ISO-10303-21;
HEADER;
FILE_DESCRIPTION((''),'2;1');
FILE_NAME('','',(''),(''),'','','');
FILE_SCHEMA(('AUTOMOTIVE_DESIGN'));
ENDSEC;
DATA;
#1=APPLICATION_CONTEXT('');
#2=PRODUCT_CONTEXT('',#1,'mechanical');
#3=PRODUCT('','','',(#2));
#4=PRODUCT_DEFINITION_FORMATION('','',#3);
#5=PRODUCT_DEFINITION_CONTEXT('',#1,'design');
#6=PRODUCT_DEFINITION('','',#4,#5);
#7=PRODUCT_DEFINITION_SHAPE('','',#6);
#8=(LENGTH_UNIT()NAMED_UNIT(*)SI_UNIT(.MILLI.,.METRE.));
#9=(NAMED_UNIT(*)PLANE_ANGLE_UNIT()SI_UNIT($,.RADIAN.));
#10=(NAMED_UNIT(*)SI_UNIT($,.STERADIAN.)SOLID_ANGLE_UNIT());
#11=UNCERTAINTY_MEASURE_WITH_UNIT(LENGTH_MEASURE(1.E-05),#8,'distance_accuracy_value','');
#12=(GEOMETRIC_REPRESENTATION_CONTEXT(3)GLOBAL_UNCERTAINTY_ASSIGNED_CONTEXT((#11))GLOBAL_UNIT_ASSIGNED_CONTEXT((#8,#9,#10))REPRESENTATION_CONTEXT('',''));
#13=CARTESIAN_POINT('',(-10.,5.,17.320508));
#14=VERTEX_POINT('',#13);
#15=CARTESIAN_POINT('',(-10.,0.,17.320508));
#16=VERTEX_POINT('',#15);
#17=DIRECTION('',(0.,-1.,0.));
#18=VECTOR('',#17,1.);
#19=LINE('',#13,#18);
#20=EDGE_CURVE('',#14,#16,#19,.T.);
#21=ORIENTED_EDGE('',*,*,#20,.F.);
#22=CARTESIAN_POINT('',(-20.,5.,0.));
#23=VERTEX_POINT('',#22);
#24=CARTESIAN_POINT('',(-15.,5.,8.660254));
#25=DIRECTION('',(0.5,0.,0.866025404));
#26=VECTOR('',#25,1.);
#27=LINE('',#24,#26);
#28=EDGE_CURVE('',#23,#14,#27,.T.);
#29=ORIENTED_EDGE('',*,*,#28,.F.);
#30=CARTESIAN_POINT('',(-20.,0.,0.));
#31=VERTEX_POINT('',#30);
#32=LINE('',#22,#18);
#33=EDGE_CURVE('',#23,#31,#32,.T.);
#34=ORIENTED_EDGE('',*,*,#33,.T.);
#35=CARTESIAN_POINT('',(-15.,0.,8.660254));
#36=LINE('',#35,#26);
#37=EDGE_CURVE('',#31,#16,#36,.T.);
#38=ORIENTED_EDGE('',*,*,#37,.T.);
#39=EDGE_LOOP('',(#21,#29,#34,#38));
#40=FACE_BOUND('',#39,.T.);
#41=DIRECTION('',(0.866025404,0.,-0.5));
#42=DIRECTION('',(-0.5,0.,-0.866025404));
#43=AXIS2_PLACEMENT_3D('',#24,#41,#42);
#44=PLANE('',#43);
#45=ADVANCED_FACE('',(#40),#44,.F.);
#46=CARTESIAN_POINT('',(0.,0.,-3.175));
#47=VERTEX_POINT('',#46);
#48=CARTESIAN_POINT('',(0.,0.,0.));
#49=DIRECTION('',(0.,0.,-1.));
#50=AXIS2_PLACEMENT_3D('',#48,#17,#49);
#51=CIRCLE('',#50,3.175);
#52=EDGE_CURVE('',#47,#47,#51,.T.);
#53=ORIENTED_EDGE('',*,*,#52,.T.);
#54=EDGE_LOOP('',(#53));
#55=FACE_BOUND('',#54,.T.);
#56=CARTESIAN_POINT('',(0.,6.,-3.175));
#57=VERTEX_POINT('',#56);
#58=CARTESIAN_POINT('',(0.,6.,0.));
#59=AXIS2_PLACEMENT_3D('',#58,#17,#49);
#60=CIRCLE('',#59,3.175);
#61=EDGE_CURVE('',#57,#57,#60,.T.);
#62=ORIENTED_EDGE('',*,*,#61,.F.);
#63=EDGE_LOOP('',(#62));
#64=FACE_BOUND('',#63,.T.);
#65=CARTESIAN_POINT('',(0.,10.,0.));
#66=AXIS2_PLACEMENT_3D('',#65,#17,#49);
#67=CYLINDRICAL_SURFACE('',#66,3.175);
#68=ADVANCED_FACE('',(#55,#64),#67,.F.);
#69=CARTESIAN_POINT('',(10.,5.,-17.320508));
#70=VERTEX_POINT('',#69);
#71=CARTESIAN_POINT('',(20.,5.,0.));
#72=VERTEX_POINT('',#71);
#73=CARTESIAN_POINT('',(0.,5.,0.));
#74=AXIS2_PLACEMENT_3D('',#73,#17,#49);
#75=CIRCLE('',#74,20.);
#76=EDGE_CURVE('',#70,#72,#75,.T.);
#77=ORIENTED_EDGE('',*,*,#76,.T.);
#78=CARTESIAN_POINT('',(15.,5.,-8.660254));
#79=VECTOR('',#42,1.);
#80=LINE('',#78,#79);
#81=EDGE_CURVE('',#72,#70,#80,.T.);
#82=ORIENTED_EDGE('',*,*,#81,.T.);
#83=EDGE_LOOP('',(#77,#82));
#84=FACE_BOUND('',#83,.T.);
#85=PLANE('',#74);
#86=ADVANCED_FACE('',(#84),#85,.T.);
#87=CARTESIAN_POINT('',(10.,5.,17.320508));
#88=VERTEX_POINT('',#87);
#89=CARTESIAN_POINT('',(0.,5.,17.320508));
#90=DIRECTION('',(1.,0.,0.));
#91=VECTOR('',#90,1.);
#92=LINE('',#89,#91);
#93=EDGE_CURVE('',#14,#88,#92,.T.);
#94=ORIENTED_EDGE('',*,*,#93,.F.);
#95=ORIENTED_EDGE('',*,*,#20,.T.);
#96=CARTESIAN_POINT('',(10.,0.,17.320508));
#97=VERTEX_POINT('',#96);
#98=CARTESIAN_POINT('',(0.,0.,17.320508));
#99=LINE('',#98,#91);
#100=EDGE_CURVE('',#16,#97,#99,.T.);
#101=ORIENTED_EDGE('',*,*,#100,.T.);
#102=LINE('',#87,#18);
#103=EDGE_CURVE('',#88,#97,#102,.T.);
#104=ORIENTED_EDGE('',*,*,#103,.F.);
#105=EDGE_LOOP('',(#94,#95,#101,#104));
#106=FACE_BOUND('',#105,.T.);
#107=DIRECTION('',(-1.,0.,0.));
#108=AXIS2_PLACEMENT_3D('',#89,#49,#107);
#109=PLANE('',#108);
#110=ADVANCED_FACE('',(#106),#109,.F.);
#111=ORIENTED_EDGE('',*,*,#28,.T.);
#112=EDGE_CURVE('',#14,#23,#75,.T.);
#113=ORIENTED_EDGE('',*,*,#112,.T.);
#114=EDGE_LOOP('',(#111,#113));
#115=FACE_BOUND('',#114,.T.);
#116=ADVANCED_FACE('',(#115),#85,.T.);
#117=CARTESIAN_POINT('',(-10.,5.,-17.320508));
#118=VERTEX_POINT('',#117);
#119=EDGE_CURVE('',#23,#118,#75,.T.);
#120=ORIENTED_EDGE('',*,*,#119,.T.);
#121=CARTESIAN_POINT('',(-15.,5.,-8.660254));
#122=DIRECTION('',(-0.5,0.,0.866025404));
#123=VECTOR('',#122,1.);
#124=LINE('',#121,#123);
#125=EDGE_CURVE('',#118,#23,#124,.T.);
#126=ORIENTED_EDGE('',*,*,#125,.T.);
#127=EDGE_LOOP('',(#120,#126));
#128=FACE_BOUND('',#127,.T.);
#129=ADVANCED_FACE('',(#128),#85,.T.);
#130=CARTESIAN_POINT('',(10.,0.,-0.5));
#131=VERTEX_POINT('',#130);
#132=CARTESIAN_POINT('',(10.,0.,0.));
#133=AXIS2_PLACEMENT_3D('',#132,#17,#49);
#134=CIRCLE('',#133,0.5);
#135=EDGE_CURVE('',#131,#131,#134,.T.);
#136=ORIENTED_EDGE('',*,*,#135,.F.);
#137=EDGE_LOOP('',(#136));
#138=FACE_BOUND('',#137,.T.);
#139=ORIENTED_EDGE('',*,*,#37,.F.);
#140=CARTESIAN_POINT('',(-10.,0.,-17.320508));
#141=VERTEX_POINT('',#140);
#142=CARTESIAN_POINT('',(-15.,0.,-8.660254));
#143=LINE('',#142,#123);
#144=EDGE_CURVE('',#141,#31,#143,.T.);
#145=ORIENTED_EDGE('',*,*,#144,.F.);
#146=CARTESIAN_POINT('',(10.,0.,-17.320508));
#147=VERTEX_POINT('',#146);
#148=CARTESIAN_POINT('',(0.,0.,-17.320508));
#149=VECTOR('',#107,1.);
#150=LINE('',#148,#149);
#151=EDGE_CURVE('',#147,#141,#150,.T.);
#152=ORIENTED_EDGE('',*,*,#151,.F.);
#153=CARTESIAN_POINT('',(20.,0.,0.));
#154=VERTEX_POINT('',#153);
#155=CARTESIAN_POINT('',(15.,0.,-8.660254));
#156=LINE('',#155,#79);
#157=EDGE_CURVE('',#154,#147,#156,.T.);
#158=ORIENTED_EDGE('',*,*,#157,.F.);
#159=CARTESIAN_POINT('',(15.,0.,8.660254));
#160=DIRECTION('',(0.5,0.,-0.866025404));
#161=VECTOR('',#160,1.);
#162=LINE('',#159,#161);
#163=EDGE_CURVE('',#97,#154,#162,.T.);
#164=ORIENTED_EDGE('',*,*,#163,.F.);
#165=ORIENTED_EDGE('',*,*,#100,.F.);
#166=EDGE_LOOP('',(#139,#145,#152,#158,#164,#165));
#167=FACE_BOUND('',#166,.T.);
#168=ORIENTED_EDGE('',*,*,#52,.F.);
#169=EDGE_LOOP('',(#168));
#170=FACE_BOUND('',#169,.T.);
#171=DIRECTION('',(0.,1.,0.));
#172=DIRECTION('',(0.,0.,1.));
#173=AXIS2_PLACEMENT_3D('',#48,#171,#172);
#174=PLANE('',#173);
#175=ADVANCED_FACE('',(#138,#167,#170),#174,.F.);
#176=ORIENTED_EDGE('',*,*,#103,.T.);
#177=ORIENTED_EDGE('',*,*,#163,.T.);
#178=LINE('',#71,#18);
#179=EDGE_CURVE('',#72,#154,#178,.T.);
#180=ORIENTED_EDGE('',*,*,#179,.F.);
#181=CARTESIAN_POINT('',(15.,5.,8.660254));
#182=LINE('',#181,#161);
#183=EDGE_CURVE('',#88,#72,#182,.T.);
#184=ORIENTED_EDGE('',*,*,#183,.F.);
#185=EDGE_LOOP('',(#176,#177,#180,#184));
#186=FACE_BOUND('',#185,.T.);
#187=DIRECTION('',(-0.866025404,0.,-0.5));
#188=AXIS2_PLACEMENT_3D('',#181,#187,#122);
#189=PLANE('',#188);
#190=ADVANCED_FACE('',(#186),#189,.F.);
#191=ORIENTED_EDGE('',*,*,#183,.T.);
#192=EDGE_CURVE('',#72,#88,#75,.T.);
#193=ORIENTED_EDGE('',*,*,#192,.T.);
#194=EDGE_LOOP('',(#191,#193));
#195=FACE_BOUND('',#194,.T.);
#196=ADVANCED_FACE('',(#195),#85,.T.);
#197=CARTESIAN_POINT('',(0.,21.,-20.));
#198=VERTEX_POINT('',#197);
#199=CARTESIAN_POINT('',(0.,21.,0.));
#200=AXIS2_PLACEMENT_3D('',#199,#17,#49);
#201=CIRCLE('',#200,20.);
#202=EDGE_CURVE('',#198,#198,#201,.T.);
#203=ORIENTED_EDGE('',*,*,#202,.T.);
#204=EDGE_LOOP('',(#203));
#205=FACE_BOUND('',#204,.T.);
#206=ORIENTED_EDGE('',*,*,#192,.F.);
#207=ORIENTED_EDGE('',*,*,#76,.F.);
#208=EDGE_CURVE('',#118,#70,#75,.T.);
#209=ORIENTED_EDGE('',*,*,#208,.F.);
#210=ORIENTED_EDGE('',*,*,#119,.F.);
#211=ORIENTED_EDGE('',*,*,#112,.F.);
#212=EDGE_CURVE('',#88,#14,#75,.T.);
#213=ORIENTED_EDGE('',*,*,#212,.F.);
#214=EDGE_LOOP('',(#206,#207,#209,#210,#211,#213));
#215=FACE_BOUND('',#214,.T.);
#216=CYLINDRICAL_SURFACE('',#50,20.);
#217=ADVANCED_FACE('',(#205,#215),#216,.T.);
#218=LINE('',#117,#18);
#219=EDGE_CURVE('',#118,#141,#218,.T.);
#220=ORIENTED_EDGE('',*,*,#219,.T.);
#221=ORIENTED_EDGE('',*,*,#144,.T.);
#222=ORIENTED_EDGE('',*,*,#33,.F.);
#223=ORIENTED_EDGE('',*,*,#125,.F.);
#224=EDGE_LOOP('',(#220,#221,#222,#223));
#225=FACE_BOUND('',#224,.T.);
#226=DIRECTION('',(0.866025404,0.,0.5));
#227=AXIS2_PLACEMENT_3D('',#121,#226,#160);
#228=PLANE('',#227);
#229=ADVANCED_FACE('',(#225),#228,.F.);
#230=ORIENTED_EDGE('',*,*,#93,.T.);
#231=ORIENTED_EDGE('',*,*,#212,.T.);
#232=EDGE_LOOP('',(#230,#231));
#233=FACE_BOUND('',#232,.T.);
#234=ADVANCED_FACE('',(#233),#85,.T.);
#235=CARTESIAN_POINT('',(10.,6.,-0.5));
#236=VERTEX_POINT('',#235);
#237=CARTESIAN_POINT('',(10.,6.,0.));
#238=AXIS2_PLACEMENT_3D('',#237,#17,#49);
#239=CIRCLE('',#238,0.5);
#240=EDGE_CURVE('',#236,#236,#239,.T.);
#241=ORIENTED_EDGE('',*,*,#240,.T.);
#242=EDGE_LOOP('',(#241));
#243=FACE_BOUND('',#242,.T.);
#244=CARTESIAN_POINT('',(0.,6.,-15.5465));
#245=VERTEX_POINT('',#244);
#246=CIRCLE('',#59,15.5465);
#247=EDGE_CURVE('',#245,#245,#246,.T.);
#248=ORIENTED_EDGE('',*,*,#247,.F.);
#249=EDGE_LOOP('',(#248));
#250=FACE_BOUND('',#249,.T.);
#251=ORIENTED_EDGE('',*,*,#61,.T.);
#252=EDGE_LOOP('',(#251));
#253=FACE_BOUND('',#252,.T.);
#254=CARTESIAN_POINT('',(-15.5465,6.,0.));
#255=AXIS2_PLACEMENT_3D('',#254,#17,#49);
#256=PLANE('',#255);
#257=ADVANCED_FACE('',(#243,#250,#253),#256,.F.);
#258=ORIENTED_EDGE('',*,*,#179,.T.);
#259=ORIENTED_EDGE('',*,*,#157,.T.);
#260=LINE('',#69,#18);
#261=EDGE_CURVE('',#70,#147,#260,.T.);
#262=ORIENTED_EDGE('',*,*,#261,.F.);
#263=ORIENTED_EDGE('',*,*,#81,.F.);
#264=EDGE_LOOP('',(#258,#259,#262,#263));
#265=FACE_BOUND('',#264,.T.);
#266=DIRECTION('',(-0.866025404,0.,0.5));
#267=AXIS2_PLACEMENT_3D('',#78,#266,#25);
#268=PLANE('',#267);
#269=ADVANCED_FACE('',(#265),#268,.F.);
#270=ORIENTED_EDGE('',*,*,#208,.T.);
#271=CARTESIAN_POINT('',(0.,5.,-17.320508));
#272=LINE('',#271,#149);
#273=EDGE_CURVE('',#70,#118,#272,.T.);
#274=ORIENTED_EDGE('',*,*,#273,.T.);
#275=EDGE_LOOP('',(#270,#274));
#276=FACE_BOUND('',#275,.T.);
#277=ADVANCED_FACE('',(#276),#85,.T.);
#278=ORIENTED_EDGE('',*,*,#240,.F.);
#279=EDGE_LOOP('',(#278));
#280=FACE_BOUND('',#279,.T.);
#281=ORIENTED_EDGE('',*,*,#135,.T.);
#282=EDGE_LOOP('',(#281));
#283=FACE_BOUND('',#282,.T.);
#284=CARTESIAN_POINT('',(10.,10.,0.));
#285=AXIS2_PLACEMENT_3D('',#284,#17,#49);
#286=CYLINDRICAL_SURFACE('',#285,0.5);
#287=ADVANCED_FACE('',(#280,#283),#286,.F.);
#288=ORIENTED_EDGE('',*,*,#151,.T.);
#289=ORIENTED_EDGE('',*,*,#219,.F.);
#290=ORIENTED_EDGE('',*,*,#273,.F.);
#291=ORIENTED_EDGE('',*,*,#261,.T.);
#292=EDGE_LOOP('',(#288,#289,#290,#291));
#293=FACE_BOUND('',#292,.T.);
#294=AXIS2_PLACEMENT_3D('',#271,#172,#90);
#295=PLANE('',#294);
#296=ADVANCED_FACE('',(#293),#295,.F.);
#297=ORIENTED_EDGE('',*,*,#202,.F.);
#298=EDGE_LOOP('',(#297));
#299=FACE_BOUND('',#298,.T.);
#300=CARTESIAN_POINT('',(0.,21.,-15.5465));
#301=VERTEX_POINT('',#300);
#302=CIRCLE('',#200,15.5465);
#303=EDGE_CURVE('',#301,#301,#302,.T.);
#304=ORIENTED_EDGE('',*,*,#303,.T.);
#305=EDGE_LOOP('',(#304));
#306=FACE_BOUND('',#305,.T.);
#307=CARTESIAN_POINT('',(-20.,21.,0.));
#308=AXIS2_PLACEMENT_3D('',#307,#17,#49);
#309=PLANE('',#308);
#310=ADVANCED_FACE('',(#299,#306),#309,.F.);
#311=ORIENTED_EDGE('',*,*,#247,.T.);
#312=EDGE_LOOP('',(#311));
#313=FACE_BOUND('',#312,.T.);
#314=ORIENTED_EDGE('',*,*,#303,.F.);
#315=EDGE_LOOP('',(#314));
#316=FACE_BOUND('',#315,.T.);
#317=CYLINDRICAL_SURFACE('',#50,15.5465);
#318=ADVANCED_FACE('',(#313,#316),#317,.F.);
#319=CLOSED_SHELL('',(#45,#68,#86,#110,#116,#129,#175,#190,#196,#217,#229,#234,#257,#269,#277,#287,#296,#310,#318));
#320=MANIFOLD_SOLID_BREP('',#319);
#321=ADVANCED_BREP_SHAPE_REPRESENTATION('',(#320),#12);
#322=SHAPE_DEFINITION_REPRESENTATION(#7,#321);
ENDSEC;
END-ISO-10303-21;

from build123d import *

# Parameters (mm, degrees)
SCHIZZO2_R               = 3.175
SCHIZZO2_R_2             = 0.5
TAGLIO_ESTRUSIONE1_DEPTH = 10
TAGLIO_ESTRUSIONE2_START = -5
TAGLIO_ESTRUSIONE2_DEPTH = 5


with BuildPart() as part:
    # Schizzo1 → Rivoluzione1 (revolve)
    with BuildSketch(Plane.XY, mode=Mode.PRIVATE) as rivoluzione1_sk:
        Polygon((0, 0), (-20, 0), (-20, 21), (-15.5465, 21), (-15.5465, 6), (0, 6), align=None)
    revolve(rivoluzione1_sk.sketch.rotate(Axis((0, 0, 0), (0, 1, 0)), 270), axis=Axis((0, 0, 0), (0, 1, 0)))

    # Schizzo2 → Taglio-Estrusione1 (cut)
    with BuildSketch(Plane.XZ):
        with Locations(Location((0, 0, 0), (0, 0, 270))):
            Circle(SCHIZZO2_R)
        with Locations(Location((10, 0, 0), (0, 0, 270))):
            Circle(SCHIZZO2_R_2)
    extrude(amount=-TAGLIO_ESTRUSIONE1_DEPTH, mode=Mode.SUBTRACT)

    # Schizzo5 → Taglio-Estrusione2 (cut)
    with BuildSketch(Plane(origin=(0, 0, 0), x_dir=(-1, 0, 0), z_dir=(0, -1, 0)).offset(TAGLIO_ESTRUSIONE2_START)):
        with BuildLine():
            Line((-10, 17.320508076), (10, 17.320508076))
            ThreePointArc((10, 17.320508076), (0, 20), (-10, 17.320508076))
        make_face()
        with BuildLine():
            ThreePointArc((20, 0), (17.320508076, 10), (10, 17.320508076))
            Line((10, 17.320508076), (20, 0))
        make_face()
        with BuildLine():
            ThreePointArc((10, -17.320508076), (17.320508076, -10), (20, 0))
            Line((20, 0), (10, -17.320508076))
        make_face()
        with BuildLine():
            ThreePointArc((-10, -17.320508076), (0, -20), (10, -17.320508076))
            Line((10, -17.320508076), (-10, -17.320508076))
        make_face()
        with BuildLine():
            Line((-10, -17.320508076), (-20, 0))
            ThreePointArc((-20, 0), (-17.320508076, -10), (-10, -17.320508076))
        make_face()
        with BuildLine():
            Line((-20, 0), (-10, 17.320508076))
            ThreePointArc((-10, 17.320508076), (-17.320508076, 10), (-20, 0))
        make_face()
    extrude(amount=TAGLIO_ESTRUSIONE2_DEPTH, mode=Mode.SUBTRACT)


solid = part.part
